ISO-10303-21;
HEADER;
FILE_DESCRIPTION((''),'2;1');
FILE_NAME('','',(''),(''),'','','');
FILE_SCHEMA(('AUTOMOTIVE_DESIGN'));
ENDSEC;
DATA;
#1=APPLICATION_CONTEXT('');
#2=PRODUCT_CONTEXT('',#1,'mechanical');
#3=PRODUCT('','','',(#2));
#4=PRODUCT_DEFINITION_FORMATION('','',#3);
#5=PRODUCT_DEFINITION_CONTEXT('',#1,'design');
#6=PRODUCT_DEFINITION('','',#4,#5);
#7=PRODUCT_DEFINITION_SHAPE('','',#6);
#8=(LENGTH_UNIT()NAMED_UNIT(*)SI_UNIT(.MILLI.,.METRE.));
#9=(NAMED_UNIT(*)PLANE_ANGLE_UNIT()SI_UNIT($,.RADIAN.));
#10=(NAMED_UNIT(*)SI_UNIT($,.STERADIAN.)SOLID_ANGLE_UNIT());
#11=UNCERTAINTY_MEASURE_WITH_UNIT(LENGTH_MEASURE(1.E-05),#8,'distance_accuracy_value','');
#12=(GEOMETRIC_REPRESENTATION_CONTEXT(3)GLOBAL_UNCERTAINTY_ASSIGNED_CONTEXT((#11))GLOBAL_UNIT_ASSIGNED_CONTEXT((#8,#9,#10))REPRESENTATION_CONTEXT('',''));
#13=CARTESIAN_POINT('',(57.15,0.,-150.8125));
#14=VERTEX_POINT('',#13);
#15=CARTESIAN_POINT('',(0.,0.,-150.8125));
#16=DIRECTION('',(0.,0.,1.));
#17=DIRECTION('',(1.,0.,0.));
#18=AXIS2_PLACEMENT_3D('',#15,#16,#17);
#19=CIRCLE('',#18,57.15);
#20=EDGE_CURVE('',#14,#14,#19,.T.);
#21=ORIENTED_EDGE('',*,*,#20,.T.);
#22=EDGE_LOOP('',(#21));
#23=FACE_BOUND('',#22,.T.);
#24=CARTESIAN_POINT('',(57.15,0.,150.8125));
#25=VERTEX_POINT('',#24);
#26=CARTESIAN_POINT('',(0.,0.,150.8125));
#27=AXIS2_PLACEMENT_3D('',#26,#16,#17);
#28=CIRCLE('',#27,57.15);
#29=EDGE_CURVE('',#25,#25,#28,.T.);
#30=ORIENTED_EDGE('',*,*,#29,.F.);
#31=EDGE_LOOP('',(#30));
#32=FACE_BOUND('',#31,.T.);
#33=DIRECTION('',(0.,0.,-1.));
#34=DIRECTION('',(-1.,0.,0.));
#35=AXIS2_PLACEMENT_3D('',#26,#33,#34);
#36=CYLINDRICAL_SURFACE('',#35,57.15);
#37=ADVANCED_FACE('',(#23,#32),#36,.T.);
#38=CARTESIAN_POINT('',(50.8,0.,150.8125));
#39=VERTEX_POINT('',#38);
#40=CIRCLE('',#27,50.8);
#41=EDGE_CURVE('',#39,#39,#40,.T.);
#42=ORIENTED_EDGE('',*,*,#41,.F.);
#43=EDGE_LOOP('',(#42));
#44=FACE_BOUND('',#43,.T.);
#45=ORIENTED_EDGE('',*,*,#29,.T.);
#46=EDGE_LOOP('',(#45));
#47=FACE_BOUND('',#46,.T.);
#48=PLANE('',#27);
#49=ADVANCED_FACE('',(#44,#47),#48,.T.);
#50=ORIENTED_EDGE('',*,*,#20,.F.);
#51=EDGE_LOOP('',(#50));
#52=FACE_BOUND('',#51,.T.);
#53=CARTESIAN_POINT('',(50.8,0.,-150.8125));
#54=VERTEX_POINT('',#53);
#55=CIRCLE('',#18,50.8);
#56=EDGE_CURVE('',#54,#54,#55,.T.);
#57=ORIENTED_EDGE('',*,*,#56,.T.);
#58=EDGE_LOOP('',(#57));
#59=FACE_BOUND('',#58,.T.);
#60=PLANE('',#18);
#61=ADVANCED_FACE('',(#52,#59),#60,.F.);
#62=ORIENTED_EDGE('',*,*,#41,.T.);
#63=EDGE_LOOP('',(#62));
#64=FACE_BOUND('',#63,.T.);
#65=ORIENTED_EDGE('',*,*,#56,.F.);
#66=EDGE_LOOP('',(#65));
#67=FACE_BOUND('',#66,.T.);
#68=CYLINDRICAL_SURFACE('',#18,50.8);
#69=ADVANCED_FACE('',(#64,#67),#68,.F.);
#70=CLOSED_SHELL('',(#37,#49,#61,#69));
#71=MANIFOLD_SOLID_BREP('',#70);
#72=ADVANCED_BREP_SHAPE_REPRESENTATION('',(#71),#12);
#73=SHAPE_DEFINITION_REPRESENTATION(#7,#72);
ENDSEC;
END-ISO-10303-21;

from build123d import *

# Parameters (mm, degrees)
SKETCH1_R           = 57.15
BOSS_EXTRUDE1_DEPTH = 150.8125
SKETCH2_R           = 50.8
CUT_EXTRUDE1_DEPTH  = 313.265729187


with BuildPart() as part:
    # Sketch1 → Boss-Extrude1 (new, symmetric)
    with BuildSketch(Plane.XY):
        Circle(SKETCH1_R)
    extrude(amount=BOSS_EXTRUDE1_DEPTH, both=True)

    # Sketch2 → Cut-Extrude1 (cut, through all)
    with BuildSketch(Plane.XY.offset(150.8125)):
        Circle(SKETCH2_R)
    extrude(amount=-CUT_EXTRUDE1_DEPTH, mode=Mode.SUBTRACT)


solid = part.part
